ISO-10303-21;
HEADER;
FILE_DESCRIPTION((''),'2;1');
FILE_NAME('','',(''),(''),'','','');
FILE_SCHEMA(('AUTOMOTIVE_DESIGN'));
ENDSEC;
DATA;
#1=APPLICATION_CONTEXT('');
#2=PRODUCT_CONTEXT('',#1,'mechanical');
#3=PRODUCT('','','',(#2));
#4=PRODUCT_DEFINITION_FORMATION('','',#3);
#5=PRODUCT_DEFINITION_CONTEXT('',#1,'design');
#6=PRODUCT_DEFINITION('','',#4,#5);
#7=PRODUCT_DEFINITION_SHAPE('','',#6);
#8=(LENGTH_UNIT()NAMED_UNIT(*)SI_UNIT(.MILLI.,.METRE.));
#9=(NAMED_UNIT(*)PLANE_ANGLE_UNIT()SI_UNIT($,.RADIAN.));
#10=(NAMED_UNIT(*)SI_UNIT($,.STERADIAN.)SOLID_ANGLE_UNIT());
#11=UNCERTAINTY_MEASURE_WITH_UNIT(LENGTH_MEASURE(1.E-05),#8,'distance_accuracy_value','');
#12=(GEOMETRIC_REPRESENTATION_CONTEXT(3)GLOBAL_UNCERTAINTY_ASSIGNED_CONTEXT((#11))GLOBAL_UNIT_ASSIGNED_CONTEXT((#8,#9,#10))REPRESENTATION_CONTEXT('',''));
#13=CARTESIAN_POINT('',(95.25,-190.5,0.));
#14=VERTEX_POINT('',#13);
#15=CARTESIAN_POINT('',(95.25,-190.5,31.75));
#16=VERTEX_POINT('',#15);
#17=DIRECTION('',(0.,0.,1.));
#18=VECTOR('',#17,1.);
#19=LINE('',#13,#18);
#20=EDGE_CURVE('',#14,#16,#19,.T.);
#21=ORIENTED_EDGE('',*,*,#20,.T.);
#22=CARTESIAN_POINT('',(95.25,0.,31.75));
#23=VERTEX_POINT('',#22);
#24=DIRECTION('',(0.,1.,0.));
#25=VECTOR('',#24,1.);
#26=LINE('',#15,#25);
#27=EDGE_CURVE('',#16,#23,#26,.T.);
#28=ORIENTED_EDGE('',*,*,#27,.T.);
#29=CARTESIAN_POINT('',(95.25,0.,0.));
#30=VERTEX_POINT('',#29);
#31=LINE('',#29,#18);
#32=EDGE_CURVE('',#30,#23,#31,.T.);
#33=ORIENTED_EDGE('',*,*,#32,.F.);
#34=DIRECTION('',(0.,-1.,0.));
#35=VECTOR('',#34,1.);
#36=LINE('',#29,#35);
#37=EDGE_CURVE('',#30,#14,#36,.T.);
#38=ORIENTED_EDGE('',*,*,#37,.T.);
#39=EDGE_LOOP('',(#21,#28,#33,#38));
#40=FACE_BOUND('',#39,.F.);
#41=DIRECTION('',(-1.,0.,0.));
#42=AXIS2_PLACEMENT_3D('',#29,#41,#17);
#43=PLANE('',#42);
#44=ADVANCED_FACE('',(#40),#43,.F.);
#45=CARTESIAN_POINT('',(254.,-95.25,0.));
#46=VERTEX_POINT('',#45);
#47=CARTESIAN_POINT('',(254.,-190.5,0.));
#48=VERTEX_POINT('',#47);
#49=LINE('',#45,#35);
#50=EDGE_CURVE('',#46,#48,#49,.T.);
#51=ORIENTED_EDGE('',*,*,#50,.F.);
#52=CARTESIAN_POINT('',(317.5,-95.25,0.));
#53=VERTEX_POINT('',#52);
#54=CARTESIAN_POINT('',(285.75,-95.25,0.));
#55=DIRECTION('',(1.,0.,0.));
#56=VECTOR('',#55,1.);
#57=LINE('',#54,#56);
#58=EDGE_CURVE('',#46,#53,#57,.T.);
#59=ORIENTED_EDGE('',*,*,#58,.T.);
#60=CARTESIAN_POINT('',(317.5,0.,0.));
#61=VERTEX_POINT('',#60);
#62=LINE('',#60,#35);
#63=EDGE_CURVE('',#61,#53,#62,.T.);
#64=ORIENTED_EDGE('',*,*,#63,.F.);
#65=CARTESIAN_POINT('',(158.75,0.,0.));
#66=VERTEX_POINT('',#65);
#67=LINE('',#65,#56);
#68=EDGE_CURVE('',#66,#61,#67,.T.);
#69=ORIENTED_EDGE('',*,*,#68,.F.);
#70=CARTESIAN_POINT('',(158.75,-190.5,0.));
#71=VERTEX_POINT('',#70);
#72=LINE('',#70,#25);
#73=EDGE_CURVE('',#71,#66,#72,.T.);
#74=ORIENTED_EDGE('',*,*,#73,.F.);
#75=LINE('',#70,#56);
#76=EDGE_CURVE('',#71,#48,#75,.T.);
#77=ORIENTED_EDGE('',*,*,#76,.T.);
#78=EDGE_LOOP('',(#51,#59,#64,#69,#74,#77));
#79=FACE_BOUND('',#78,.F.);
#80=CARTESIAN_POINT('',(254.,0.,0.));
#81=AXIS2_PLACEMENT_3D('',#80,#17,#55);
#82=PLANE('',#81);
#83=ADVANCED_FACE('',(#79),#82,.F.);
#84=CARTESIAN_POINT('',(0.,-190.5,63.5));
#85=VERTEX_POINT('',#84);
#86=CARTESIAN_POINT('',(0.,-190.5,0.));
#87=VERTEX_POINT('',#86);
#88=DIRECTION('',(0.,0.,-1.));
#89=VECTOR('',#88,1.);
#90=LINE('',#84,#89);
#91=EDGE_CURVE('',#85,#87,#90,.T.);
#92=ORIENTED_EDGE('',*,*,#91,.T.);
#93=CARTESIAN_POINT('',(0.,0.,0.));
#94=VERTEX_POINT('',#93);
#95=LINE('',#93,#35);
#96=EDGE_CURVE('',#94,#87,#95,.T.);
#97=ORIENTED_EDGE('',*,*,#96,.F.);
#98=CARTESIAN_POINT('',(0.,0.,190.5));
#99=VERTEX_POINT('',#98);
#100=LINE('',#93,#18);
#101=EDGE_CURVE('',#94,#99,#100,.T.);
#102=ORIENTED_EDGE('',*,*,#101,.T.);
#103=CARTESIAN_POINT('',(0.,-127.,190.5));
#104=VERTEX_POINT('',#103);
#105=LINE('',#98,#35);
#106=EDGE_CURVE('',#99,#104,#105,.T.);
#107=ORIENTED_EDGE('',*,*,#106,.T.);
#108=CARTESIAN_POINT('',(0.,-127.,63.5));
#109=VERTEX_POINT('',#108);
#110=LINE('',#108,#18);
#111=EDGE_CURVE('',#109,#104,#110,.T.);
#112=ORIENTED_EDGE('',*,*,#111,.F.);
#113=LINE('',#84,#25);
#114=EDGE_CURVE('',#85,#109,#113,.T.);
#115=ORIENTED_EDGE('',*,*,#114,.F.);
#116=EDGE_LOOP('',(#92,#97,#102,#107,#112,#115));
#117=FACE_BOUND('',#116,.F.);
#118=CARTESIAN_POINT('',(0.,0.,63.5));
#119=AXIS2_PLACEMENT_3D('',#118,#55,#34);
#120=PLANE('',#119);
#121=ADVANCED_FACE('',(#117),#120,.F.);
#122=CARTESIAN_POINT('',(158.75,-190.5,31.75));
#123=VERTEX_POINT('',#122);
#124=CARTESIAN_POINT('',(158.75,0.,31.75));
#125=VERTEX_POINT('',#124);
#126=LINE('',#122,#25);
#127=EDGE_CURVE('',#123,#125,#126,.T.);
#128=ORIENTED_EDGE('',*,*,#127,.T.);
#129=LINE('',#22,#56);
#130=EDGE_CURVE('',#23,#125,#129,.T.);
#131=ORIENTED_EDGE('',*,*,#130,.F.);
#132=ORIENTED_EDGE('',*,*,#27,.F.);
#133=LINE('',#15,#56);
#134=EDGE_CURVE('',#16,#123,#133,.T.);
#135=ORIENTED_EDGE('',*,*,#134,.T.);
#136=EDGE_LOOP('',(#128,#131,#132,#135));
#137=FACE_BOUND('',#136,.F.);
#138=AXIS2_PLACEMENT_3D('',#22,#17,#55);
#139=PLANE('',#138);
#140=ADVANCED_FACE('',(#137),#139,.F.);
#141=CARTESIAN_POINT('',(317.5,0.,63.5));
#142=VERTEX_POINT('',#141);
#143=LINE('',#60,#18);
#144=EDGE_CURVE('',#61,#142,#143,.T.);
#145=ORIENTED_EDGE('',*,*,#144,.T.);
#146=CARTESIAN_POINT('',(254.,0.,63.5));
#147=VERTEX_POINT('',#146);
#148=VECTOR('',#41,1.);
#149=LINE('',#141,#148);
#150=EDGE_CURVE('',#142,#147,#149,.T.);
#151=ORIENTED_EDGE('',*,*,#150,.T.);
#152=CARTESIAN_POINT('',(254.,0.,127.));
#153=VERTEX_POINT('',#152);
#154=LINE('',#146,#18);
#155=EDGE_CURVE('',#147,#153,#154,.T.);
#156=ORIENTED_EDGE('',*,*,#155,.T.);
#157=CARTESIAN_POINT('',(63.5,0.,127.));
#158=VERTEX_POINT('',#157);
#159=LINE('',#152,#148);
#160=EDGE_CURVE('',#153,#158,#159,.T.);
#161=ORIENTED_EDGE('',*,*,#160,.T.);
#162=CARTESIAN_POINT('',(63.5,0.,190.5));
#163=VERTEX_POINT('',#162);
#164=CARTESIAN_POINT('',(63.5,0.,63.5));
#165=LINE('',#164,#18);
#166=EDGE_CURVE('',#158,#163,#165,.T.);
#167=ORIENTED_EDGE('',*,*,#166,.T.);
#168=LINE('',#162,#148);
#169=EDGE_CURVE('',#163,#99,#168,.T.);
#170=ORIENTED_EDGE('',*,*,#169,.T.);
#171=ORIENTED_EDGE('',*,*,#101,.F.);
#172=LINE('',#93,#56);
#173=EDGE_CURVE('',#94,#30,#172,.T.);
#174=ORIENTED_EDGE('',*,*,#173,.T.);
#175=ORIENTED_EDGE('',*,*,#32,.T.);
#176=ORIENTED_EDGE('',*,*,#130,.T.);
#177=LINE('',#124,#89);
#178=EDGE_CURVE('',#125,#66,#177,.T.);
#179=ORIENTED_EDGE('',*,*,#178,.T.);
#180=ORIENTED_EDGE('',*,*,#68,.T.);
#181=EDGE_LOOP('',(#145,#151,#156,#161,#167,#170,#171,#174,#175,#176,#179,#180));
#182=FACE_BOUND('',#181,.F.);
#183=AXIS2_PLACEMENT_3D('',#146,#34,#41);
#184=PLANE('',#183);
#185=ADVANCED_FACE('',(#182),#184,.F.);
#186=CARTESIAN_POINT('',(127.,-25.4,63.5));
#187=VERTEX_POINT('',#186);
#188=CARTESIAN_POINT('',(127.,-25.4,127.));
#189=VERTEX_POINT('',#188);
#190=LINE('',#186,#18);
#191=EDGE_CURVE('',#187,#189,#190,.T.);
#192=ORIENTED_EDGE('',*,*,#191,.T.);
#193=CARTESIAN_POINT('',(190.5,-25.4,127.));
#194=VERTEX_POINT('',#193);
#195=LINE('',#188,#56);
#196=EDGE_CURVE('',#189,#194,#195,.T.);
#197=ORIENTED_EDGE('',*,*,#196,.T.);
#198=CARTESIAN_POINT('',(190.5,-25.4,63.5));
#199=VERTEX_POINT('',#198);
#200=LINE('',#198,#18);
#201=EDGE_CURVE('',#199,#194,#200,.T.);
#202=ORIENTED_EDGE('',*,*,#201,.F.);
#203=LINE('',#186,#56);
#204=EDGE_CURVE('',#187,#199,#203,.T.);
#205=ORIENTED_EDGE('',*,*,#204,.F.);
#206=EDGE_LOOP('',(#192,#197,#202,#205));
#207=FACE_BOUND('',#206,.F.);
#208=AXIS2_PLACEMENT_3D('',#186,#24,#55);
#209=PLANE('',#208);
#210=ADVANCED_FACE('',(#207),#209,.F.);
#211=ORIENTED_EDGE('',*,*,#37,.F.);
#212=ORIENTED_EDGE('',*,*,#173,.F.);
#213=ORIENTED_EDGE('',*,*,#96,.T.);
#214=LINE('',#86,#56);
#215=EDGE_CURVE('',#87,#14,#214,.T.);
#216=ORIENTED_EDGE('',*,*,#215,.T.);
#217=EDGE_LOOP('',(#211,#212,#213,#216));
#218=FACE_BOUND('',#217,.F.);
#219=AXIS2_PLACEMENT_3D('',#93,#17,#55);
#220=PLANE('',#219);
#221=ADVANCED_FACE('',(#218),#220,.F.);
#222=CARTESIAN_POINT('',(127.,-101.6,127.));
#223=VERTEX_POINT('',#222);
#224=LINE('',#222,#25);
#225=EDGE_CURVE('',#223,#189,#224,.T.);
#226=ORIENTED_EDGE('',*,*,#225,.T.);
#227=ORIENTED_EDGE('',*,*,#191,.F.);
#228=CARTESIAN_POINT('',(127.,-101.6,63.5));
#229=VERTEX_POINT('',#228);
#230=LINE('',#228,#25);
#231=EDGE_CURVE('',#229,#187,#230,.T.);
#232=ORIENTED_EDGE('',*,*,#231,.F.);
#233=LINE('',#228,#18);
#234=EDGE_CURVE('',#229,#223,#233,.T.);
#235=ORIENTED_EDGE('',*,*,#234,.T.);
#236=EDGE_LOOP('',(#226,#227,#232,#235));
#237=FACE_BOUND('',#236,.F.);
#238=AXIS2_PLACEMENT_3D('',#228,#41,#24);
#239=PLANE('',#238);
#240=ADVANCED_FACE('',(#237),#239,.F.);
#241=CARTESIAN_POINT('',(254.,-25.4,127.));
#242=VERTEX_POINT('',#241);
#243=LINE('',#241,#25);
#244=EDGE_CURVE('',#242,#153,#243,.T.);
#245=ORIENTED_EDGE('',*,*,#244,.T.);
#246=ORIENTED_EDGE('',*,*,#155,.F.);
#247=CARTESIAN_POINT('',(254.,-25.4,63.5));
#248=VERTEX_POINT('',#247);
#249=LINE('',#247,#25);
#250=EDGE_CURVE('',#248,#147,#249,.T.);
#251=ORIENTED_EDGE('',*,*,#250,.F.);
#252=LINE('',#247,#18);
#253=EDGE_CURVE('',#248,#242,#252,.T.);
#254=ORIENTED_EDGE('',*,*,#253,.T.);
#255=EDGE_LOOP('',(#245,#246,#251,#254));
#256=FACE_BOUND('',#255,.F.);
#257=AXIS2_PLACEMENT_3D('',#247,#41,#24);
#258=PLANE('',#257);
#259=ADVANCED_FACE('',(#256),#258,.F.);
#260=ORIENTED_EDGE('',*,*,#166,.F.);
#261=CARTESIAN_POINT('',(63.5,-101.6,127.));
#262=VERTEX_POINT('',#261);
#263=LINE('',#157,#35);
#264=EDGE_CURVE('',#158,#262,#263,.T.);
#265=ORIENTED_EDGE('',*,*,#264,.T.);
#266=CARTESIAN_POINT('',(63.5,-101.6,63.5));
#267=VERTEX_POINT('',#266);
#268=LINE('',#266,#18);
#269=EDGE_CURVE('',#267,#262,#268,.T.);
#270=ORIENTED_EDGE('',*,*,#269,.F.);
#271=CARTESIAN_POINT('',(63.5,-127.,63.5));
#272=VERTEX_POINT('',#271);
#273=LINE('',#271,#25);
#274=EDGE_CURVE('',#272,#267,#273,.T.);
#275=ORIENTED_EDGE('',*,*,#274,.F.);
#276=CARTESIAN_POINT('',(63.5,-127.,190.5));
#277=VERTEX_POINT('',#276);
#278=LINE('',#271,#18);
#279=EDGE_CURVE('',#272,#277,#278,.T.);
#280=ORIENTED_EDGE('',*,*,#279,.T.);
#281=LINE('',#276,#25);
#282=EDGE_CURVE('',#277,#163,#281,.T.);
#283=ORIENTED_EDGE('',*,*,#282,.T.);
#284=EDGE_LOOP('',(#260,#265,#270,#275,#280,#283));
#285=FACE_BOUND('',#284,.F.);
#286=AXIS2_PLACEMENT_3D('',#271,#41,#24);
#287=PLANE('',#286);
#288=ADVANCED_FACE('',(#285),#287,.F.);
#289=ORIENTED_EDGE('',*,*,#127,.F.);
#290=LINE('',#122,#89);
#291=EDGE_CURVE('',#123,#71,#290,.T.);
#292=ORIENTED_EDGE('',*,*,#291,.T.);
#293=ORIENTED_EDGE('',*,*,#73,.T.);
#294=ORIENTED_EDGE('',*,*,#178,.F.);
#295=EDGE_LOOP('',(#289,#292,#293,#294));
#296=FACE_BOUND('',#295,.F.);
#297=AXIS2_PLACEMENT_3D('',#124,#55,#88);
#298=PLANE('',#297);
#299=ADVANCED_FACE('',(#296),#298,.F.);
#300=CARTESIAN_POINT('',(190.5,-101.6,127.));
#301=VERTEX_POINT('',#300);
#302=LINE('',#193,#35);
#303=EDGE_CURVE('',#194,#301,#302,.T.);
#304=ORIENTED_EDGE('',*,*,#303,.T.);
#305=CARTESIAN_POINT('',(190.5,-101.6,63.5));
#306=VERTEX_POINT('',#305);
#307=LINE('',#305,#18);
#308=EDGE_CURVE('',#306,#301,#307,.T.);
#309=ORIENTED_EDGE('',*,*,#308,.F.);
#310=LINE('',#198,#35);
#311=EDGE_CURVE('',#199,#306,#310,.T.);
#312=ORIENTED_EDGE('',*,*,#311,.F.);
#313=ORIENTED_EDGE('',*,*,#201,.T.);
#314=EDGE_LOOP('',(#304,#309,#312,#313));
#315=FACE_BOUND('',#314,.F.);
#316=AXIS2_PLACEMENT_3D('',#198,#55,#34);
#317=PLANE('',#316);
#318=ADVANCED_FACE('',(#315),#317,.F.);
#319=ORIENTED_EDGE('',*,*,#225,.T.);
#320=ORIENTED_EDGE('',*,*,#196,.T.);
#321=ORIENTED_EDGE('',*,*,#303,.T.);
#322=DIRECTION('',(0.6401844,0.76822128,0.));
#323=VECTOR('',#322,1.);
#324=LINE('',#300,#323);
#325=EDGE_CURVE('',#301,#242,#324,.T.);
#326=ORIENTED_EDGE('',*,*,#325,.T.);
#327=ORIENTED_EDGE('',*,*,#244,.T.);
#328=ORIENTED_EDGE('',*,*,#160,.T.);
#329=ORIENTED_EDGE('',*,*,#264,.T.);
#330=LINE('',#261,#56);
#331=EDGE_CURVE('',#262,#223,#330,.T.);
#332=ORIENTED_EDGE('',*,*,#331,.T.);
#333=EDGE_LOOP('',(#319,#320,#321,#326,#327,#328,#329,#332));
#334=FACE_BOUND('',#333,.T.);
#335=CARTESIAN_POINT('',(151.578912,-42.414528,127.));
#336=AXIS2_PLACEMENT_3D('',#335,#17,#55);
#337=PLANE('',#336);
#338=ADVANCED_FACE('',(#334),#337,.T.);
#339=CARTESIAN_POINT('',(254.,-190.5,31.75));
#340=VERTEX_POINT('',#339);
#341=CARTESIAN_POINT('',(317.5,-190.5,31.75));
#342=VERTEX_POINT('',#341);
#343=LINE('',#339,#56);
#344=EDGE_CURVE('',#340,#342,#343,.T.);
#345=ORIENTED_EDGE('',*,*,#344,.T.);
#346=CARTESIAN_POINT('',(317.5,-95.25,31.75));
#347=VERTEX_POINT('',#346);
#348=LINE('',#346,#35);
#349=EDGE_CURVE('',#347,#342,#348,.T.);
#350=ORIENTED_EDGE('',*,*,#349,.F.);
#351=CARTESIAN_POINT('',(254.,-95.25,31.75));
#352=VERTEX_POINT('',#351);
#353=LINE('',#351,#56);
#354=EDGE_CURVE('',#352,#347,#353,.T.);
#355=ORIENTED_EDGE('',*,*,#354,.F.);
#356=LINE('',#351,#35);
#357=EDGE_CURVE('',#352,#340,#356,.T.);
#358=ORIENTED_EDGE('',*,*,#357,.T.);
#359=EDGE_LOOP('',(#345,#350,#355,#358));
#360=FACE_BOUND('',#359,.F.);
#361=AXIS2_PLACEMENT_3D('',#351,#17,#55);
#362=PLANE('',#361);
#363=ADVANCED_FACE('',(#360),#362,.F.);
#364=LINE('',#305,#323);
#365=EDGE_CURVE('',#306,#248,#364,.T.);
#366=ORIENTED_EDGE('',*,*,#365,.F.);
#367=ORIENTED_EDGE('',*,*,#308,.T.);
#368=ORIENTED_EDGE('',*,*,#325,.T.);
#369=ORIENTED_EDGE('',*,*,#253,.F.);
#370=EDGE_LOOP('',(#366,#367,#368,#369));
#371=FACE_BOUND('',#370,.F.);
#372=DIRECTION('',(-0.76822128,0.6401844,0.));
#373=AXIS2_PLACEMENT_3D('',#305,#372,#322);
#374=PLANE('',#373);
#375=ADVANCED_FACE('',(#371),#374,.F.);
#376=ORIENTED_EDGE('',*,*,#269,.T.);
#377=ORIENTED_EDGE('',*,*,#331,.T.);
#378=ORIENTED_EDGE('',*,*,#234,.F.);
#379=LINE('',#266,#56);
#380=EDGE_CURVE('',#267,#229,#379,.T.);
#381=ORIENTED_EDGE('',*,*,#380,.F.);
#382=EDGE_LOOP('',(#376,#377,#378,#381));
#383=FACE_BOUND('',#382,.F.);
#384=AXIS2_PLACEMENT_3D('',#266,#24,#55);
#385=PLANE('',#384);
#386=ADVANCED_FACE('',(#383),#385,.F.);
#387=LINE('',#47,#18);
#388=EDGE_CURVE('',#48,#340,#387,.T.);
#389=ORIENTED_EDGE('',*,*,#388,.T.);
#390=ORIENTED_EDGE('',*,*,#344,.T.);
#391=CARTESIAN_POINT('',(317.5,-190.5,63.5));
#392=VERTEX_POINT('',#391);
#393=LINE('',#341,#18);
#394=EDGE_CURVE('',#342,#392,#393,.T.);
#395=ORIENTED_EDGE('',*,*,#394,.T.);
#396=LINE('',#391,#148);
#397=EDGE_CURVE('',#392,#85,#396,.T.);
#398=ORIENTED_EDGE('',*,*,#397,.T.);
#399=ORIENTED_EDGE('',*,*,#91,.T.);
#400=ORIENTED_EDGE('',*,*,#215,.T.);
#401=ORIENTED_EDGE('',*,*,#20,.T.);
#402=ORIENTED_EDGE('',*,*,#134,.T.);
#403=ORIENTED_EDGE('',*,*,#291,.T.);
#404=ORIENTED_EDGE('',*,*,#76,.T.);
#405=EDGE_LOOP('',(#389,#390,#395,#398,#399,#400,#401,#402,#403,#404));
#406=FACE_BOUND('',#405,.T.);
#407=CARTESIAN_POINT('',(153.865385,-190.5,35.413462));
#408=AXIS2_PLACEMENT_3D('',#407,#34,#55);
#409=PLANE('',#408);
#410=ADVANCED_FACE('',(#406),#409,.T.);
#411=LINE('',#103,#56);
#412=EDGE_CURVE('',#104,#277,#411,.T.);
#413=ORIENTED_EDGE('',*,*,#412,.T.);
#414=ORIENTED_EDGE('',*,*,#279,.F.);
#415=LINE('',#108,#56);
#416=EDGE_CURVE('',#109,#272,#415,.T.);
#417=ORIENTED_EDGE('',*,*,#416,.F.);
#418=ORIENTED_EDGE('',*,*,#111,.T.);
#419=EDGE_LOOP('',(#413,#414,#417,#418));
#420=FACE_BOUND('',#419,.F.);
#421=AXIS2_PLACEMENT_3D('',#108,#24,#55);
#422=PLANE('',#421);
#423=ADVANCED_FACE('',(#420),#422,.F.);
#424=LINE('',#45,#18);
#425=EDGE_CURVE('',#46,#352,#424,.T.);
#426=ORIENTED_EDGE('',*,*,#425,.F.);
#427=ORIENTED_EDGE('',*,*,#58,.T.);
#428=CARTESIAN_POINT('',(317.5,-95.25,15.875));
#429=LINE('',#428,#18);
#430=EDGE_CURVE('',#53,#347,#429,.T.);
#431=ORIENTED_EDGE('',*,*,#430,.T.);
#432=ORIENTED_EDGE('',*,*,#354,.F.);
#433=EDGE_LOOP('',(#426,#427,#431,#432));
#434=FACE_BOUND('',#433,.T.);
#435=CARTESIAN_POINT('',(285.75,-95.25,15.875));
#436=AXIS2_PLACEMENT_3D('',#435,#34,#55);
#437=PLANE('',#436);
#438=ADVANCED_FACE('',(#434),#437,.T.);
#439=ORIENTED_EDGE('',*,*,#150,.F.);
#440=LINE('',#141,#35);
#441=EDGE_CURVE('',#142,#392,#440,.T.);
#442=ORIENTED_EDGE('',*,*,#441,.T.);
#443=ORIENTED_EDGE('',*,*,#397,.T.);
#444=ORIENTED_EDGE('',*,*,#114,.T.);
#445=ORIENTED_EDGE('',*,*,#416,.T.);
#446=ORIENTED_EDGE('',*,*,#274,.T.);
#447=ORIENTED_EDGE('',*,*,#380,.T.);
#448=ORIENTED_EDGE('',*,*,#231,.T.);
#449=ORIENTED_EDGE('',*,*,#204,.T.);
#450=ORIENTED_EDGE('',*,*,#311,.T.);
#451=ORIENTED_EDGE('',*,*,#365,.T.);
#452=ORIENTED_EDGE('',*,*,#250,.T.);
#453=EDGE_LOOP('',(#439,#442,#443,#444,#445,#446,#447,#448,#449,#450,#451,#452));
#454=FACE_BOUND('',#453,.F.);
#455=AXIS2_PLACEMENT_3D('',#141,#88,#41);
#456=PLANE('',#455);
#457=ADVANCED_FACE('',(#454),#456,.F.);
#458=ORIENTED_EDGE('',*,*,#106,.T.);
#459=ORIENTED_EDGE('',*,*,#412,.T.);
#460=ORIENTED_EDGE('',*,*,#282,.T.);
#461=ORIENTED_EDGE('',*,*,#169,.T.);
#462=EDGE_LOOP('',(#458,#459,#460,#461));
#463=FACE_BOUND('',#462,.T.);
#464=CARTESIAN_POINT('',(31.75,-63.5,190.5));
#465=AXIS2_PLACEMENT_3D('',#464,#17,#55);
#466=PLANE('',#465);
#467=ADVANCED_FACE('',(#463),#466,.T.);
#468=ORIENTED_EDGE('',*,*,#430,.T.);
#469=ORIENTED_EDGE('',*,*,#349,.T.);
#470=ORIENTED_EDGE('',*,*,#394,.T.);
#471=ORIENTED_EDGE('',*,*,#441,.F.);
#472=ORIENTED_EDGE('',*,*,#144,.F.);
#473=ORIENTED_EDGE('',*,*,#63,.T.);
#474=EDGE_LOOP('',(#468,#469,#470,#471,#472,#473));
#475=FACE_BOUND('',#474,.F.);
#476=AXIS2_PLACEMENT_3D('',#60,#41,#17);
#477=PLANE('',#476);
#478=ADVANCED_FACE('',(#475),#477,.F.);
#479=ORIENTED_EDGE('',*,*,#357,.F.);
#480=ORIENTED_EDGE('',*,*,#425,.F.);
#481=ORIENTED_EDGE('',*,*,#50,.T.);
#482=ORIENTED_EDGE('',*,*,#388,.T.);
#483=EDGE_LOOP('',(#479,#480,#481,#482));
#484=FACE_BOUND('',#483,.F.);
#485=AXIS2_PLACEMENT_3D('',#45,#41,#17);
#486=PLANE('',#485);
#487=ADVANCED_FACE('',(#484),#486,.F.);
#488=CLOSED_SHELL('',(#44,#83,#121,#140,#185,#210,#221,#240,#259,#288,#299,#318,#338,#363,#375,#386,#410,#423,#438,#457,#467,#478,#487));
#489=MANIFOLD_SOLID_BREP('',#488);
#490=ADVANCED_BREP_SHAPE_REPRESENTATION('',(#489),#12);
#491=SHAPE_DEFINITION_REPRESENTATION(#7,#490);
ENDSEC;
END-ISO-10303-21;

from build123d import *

# Parameters (mm, degrees)
F1_DEPTH = 95.25
F0_W     = 63.5
F0_H     = 31.75
F2_DEPTH = 95.25
F4_DEPTH = 127
F5_DEPTH = 63.5


with BuildPart() as f1:
    # F0 (on Front) → F1 (new body)
    with BuildSketch(Plane.XZ):
        Polygon((0, 63.5), (0, 0), (95.25, 0), (95.25, 31.75), (158.75, 31.75), (158.75, 0), (254, 0), (254, 31.75), (317.5, 31.75), (317.5, 63.5), align=None)
    extrude(amount=F1_DEPTH)

    # F0 (on Front) + F1_face (on face) → F2 (join)
    with BuildSketch(Plane.XZ):
        with Locations((285.75, 15.875)):
            Rectangle(F0_W, F0_H)
    with BuildSketch(Plane(origin=(146.84375, -95.25, 35.71875), x_dir=(1, 0, 0), z_dir=(0, -1, 0))):
        Polygon((-146.84375, 27.78125), (-146.84375, -35.71875), (-51.59375, -35.71875), (-51.59375, -3.96875), (11.90625, -3.96875), (11.90625, -35.71875), (107.15625, -35.71875), (107.15625, -3.96875), (170.65625, -3.96875), (170.65625, 27.78125), align=None)
    extrude(amount=F2_DEPTH)

    # F3 (on face) → F4 (join)
    with BuildSketch(Plane.XY.offset(63.5)):
        Polygon((63.5, 0), (0, 0), (0, -127), (63.5, -127), (63.5, -101.6), align=None)
    extrude(amount=F4_DEPTH)

    # F3 (on face) → F5 (join)
    with BuildSketch(Plane.XY.offset(63.5)):
        Polygon((254, 0), (63.5, 0), (63.5, -101.6), (127, -101.6), (127, -25.4), (190.5, -25.4), (190.5, -101.6), (254, -25.4), align=None)
    extrude(amount=F5_DEPTH)


solid = f1.part
